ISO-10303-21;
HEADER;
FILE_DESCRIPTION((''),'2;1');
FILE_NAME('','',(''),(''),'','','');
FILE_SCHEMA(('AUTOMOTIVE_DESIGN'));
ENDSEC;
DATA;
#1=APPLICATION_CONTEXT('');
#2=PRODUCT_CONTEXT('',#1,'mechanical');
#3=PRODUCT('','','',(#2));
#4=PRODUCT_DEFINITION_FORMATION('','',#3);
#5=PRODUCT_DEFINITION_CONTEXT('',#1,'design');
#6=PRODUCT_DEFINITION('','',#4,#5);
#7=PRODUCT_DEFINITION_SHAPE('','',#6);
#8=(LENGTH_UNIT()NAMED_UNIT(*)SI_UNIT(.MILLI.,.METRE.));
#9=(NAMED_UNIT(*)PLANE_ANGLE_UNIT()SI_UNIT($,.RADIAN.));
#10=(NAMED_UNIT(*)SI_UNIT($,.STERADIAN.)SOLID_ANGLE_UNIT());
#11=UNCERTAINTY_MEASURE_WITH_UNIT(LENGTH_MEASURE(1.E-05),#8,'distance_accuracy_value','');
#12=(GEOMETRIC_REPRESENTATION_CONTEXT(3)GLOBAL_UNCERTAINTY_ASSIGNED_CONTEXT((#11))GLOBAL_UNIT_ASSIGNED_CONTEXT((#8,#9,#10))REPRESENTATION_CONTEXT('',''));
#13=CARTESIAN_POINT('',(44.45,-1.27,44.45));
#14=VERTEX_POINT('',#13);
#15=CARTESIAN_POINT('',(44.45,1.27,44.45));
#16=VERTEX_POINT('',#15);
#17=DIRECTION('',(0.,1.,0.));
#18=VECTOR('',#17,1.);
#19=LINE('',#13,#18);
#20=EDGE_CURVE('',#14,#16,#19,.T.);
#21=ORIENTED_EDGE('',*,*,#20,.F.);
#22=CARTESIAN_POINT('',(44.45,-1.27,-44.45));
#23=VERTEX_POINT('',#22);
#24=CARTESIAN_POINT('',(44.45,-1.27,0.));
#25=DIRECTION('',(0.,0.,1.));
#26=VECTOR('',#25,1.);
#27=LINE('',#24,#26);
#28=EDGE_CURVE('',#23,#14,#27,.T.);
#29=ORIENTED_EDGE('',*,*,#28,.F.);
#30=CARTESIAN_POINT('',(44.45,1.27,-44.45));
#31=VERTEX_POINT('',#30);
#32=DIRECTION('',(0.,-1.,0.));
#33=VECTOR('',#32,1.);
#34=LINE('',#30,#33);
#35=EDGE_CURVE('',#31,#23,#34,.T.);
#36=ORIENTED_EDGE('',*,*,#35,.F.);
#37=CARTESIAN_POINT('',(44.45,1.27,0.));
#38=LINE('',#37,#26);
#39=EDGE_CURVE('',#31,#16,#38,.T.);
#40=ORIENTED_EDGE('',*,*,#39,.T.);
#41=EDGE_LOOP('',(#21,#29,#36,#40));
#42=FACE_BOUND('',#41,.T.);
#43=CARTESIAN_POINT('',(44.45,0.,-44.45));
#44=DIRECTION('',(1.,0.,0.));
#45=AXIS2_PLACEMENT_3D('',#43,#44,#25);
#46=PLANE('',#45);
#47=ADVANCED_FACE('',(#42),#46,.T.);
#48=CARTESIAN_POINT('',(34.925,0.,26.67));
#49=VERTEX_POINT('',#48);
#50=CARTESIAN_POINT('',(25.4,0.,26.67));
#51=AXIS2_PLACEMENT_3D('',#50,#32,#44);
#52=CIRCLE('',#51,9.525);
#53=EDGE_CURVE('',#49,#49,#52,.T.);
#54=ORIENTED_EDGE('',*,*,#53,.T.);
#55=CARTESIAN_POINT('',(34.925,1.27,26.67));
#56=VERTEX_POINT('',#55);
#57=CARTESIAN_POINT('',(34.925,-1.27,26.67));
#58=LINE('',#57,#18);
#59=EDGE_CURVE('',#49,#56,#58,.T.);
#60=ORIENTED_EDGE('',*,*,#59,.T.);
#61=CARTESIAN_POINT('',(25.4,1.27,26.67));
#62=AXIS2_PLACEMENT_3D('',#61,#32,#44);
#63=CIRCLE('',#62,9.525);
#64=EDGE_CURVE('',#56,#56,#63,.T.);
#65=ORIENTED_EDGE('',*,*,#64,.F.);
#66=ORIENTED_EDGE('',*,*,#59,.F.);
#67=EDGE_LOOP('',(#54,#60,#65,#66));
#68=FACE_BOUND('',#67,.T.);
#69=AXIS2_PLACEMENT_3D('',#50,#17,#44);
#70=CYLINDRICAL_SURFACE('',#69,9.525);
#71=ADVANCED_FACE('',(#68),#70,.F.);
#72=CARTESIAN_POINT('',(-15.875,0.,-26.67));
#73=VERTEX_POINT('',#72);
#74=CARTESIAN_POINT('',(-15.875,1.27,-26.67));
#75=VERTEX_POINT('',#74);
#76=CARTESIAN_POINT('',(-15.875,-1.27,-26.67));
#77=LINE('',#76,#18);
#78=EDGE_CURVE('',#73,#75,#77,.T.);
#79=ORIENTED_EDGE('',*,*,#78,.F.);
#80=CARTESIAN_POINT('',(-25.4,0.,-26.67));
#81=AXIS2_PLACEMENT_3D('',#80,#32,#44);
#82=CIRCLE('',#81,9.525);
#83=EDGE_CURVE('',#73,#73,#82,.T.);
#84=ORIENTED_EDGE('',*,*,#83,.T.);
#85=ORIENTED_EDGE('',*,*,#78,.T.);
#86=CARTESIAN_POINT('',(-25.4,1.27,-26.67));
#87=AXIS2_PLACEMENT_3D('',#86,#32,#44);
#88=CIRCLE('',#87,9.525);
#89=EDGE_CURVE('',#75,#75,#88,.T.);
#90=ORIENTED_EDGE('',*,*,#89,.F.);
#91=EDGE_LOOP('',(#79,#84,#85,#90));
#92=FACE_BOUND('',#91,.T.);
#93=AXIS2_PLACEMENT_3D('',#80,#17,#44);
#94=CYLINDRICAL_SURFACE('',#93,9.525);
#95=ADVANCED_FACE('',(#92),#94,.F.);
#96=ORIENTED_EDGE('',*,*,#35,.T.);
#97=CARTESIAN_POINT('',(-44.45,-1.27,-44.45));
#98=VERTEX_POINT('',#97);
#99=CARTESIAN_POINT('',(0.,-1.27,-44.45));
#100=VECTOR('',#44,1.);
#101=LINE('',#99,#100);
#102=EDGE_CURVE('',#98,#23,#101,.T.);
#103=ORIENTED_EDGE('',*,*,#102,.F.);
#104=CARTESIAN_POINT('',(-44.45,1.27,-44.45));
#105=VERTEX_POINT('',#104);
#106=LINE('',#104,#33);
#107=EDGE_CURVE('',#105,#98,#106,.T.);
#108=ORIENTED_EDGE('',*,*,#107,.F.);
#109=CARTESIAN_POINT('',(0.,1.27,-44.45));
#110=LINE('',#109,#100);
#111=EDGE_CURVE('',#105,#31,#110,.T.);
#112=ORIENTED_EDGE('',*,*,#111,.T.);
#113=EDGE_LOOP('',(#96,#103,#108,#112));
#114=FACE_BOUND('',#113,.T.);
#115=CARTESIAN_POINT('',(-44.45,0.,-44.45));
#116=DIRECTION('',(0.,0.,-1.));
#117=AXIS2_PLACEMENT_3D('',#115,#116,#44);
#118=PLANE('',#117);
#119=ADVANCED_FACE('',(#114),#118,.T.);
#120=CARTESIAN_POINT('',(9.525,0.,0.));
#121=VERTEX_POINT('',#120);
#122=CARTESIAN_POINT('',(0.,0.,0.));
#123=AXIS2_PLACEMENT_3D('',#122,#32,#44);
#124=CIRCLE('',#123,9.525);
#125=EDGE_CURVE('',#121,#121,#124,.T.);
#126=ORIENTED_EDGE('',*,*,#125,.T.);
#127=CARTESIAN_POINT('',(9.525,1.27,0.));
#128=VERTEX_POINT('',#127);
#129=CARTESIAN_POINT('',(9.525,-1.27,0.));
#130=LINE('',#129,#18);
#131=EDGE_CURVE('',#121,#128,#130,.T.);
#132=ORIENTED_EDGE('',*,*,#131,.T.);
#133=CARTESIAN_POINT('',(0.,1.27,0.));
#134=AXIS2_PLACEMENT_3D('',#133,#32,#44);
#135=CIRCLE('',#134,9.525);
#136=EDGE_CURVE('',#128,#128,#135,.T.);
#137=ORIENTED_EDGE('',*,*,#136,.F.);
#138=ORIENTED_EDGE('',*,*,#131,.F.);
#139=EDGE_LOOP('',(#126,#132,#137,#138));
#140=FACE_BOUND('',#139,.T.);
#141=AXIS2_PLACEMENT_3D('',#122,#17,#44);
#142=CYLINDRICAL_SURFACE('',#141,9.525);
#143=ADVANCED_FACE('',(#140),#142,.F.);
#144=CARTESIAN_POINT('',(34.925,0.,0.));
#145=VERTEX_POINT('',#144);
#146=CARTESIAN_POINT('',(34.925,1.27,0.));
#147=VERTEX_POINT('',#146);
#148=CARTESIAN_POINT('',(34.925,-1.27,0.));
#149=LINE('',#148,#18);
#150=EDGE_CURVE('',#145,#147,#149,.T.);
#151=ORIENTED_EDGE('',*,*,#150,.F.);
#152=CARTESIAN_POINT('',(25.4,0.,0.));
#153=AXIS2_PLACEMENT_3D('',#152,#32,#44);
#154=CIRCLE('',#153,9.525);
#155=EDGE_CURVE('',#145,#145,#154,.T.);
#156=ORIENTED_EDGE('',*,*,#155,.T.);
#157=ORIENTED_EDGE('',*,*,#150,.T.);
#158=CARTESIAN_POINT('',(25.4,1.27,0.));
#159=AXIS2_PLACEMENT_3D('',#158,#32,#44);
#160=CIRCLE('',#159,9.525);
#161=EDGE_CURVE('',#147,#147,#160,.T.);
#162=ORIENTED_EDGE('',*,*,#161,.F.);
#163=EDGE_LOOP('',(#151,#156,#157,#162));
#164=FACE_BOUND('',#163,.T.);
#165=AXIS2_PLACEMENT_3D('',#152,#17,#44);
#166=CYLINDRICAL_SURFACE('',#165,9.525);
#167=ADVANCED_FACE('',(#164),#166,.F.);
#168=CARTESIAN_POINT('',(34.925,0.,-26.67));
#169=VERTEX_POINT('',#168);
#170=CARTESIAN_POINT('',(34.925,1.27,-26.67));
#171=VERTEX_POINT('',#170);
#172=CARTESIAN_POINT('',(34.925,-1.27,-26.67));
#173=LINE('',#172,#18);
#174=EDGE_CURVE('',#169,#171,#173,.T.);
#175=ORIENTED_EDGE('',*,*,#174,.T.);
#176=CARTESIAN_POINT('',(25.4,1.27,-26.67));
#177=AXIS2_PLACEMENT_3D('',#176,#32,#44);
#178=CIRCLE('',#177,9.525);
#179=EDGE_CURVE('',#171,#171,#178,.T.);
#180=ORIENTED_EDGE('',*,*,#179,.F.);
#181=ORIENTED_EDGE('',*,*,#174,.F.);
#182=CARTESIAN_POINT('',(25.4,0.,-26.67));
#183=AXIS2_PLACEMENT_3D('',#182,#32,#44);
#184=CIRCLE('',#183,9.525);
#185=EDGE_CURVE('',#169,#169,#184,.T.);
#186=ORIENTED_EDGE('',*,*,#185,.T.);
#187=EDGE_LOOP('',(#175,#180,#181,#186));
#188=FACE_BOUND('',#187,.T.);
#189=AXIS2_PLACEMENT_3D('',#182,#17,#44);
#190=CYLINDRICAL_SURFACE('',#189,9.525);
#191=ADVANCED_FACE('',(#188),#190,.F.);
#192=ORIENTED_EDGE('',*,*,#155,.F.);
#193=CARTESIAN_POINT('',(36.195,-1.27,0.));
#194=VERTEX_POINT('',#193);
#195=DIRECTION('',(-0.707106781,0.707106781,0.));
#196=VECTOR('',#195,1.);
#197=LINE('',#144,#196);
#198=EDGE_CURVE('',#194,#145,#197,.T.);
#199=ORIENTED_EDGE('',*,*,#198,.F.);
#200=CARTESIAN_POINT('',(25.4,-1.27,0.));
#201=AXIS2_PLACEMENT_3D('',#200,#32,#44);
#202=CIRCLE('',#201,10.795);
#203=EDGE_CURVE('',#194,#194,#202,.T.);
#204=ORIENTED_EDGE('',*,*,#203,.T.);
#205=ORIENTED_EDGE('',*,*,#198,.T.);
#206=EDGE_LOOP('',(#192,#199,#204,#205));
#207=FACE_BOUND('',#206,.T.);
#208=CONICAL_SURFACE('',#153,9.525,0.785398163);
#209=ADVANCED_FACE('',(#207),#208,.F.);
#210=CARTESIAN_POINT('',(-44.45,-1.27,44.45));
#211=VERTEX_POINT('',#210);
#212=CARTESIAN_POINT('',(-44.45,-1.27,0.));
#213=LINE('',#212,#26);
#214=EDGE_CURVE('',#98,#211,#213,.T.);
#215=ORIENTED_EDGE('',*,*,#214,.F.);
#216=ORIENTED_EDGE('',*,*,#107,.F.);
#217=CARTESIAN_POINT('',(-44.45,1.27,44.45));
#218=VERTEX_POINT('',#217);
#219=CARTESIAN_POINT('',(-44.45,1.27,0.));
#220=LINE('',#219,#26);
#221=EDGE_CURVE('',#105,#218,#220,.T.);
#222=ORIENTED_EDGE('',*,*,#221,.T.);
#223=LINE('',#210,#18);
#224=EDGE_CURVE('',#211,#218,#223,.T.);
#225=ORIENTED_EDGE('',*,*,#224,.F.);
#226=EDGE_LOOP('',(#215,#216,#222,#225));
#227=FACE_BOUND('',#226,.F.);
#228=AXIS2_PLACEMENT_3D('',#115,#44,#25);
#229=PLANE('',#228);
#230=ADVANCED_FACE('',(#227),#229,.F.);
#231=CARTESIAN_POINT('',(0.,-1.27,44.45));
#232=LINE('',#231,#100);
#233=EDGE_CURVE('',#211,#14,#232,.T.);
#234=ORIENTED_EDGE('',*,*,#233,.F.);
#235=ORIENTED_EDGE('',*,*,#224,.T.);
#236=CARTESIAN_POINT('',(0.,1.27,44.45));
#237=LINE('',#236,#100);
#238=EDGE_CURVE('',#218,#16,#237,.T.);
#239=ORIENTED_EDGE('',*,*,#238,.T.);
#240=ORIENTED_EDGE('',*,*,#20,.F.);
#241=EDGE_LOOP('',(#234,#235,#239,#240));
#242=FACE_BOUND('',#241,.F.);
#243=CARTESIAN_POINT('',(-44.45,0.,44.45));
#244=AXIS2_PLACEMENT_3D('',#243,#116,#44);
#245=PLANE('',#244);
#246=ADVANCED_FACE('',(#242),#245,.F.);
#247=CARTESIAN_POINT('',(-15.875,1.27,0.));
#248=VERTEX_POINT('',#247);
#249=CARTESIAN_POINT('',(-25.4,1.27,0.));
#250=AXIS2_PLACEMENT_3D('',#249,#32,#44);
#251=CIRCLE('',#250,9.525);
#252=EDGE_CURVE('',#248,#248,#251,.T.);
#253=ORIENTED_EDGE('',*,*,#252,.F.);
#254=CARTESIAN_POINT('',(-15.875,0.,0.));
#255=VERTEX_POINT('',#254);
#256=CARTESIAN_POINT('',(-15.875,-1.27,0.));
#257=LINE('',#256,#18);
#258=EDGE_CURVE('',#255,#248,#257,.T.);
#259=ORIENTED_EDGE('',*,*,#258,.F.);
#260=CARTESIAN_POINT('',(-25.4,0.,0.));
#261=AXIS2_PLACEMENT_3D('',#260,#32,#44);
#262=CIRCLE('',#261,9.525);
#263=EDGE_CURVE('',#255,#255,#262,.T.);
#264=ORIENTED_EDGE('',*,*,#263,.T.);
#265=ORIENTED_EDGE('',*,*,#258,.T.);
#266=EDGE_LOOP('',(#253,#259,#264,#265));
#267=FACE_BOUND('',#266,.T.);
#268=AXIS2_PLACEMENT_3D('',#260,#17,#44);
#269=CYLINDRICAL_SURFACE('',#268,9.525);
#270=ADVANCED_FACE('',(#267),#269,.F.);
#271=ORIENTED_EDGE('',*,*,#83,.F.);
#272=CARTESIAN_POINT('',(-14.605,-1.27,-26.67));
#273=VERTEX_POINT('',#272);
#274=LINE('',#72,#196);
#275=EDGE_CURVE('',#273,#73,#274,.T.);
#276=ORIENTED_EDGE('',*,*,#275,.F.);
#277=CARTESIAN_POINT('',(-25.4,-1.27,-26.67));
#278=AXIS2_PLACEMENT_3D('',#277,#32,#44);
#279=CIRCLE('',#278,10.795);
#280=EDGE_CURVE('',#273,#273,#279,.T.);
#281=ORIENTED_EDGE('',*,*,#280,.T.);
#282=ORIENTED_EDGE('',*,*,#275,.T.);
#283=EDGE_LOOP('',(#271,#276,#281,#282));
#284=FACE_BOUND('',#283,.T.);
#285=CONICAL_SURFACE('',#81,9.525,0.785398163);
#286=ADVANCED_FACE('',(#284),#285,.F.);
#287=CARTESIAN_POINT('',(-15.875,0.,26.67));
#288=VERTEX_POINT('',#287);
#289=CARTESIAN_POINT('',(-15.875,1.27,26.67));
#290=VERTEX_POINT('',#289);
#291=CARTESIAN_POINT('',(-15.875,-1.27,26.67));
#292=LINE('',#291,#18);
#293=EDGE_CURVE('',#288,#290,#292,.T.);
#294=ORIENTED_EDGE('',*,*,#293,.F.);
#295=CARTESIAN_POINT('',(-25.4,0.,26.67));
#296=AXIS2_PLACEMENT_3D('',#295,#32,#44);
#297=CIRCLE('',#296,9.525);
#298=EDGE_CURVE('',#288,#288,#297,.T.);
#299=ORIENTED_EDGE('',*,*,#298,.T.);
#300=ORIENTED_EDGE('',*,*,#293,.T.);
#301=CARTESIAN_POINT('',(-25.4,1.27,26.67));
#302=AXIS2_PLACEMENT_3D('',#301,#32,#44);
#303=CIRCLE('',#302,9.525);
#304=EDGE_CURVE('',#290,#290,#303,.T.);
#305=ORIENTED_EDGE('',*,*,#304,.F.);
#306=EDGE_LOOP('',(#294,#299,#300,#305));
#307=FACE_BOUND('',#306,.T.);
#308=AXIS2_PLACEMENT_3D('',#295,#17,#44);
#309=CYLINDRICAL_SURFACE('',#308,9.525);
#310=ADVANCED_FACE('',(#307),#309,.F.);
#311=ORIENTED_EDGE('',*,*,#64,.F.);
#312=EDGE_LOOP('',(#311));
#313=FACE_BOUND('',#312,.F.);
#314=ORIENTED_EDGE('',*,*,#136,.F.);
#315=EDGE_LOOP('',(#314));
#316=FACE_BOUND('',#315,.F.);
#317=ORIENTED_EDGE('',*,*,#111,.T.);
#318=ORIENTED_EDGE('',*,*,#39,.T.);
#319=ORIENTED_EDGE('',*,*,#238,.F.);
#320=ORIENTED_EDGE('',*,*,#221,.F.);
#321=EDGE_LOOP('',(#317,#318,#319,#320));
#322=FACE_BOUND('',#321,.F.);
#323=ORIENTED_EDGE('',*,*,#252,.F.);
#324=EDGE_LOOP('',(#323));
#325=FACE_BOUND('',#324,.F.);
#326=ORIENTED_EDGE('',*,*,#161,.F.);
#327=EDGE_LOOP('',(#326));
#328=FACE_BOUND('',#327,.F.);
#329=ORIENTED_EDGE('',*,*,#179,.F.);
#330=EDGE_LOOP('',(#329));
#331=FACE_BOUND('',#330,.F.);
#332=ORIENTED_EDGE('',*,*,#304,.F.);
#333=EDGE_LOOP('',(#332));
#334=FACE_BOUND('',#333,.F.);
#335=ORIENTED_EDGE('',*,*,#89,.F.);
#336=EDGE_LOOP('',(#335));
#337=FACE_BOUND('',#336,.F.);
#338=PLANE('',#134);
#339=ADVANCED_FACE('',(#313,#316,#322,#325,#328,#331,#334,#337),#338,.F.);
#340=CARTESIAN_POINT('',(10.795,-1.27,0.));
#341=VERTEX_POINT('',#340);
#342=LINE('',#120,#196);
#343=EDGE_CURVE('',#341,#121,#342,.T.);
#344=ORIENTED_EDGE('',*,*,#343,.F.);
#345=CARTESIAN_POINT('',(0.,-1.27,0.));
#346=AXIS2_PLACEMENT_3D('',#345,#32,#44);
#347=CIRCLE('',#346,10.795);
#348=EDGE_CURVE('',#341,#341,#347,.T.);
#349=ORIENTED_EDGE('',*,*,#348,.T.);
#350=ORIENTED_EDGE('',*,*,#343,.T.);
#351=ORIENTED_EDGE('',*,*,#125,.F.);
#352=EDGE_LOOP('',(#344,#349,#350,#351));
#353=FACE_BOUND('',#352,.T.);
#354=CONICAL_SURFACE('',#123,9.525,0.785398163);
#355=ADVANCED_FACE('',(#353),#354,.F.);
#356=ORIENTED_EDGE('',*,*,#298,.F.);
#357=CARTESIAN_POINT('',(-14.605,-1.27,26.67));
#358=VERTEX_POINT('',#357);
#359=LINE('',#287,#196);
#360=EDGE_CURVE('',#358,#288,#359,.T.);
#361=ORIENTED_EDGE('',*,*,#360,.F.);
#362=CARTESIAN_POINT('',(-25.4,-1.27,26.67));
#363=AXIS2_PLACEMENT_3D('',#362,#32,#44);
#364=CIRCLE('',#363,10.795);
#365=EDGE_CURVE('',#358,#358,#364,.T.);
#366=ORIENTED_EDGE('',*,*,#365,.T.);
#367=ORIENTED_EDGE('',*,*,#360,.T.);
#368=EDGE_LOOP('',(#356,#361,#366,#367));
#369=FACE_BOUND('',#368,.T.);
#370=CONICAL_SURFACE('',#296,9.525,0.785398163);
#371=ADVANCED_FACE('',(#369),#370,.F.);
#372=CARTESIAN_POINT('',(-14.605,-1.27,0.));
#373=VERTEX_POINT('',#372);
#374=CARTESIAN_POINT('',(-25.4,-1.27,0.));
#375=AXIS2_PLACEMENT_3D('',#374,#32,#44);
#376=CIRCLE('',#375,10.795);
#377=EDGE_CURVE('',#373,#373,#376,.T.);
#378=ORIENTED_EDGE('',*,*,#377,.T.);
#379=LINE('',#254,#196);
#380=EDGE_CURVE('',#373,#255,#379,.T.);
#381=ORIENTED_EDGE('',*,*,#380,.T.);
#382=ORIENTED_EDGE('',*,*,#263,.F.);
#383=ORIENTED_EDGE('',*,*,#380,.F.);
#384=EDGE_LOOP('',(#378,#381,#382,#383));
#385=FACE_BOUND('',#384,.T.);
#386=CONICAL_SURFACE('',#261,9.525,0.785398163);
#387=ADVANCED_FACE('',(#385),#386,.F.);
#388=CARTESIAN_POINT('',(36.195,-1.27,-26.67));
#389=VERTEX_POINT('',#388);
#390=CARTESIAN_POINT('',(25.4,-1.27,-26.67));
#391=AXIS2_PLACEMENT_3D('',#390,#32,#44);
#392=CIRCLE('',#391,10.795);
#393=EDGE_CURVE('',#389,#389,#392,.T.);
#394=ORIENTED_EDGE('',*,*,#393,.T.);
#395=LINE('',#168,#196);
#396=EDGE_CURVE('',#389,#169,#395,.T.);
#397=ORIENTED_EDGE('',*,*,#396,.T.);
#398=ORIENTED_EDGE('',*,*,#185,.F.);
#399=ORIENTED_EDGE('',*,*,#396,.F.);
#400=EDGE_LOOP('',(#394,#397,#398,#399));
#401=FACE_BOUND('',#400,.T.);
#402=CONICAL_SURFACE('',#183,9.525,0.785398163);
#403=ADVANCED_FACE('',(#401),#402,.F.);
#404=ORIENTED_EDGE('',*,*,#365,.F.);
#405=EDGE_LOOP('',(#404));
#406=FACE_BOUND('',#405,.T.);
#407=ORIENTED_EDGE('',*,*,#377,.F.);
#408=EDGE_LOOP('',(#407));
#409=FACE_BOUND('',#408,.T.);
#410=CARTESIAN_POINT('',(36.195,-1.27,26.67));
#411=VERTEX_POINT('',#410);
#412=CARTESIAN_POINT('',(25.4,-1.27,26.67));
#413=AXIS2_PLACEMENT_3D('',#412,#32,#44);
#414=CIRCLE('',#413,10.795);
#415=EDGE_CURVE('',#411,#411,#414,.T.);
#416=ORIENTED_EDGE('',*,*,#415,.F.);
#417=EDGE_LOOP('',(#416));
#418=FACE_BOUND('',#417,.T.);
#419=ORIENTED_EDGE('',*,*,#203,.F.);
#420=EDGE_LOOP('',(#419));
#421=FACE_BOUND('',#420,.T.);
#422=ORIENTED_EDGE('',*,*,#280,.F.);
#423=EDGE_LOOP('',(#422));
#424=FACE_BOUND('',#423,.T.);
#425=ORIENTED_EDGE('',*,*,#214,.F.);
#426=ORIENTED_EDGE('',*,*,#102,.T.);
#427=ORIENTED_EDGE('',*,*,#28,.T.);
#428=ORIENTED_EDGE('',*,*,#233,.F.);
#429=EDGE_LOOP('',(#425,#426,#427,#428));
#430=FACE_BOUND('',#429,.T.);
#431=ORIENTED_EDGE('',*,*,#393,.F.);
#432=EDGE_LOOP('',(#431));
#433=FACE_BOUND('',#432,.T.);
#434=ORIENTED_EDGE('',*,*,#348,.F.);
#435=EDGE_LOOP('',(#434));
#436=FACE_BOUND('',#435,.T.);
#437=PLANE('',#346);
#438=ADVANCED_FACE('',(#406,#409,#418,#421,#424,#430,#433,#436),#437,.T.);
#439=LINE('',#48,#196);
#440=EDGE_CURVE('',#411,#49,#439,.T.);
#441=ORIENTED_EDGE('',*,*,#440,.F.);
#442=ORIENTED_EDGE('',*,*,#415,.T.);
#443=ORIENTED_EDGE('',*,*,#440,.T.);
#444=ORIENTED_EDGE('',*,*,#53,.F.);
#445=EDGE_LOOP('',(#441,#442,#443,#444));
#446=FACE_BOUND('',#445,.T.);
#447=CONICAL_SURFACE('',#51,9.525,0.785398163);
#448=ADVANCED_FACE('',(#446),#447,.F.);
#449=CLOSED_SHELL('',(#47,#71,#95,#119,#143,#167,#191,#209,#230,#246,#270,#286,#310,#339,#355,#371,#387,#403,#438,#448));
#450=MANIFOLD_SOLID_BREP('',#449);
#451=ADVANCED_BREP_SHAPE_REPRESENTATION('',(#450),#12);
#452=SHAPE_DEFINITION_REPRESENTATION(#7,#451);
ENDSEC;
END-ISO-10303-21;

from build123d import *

# Parameters (mm, degrees)
F0_W     = 88.9
F0_H     = 88.9
F0_R     = 9.525
F1_DEPTH = 1.27
F2_SIZE  = 1.27


with BuildPart() as f1:
    # F0 (on Front) → F1 (new body, symmetric)
    with BuildSketch(Plane.XZ):
        Rectangle(F0_W, F0_H)
        with Locations((-25.4, -26.67)):
            Circle(F0_R, mode=Mode.SUBTRACT)
        with Locations((25.4, -26.67)):
            Circle(F0_R, mode=Mode.SUBTRACT)
        with Locations((-25.4, 0)):
            Circle(F0_R, mode=Mode.SUBTRACT)
        with Locations((-25.4, 26.67)):
            Circle(F0_R, mode=Mode.SUBTRACT)
        Circle(F0_R, mode=Mode.SUBTRACT)
        with Locations((25.4, 0)):
            Circle(F0_R, mode=Mode.SUBTRACT)
        with Locations((25.4, 26.67)):
            Circle(F0_R, mode=Mode.SUBTRACT)
    extrude(amount=F1_DEPTH, both=True)

    # F2
    f2_edges = [f1.edges().sort_by_distance(p)[0] for p in [
        (-34.925, -1.27, 26.67),
        (15.875, -1.27, 26.67),
        (-34.925, -1.27, 0),
        (-9.525, -1.27, 0),
        (15.875, -1.27, 0),
        (15.875, -1.27, -26.67),
        (-34.925, -1.27, -26.67),
    ]]
    chamfer(f2_edges, length=F2_SIZE)


solid = f1.part
